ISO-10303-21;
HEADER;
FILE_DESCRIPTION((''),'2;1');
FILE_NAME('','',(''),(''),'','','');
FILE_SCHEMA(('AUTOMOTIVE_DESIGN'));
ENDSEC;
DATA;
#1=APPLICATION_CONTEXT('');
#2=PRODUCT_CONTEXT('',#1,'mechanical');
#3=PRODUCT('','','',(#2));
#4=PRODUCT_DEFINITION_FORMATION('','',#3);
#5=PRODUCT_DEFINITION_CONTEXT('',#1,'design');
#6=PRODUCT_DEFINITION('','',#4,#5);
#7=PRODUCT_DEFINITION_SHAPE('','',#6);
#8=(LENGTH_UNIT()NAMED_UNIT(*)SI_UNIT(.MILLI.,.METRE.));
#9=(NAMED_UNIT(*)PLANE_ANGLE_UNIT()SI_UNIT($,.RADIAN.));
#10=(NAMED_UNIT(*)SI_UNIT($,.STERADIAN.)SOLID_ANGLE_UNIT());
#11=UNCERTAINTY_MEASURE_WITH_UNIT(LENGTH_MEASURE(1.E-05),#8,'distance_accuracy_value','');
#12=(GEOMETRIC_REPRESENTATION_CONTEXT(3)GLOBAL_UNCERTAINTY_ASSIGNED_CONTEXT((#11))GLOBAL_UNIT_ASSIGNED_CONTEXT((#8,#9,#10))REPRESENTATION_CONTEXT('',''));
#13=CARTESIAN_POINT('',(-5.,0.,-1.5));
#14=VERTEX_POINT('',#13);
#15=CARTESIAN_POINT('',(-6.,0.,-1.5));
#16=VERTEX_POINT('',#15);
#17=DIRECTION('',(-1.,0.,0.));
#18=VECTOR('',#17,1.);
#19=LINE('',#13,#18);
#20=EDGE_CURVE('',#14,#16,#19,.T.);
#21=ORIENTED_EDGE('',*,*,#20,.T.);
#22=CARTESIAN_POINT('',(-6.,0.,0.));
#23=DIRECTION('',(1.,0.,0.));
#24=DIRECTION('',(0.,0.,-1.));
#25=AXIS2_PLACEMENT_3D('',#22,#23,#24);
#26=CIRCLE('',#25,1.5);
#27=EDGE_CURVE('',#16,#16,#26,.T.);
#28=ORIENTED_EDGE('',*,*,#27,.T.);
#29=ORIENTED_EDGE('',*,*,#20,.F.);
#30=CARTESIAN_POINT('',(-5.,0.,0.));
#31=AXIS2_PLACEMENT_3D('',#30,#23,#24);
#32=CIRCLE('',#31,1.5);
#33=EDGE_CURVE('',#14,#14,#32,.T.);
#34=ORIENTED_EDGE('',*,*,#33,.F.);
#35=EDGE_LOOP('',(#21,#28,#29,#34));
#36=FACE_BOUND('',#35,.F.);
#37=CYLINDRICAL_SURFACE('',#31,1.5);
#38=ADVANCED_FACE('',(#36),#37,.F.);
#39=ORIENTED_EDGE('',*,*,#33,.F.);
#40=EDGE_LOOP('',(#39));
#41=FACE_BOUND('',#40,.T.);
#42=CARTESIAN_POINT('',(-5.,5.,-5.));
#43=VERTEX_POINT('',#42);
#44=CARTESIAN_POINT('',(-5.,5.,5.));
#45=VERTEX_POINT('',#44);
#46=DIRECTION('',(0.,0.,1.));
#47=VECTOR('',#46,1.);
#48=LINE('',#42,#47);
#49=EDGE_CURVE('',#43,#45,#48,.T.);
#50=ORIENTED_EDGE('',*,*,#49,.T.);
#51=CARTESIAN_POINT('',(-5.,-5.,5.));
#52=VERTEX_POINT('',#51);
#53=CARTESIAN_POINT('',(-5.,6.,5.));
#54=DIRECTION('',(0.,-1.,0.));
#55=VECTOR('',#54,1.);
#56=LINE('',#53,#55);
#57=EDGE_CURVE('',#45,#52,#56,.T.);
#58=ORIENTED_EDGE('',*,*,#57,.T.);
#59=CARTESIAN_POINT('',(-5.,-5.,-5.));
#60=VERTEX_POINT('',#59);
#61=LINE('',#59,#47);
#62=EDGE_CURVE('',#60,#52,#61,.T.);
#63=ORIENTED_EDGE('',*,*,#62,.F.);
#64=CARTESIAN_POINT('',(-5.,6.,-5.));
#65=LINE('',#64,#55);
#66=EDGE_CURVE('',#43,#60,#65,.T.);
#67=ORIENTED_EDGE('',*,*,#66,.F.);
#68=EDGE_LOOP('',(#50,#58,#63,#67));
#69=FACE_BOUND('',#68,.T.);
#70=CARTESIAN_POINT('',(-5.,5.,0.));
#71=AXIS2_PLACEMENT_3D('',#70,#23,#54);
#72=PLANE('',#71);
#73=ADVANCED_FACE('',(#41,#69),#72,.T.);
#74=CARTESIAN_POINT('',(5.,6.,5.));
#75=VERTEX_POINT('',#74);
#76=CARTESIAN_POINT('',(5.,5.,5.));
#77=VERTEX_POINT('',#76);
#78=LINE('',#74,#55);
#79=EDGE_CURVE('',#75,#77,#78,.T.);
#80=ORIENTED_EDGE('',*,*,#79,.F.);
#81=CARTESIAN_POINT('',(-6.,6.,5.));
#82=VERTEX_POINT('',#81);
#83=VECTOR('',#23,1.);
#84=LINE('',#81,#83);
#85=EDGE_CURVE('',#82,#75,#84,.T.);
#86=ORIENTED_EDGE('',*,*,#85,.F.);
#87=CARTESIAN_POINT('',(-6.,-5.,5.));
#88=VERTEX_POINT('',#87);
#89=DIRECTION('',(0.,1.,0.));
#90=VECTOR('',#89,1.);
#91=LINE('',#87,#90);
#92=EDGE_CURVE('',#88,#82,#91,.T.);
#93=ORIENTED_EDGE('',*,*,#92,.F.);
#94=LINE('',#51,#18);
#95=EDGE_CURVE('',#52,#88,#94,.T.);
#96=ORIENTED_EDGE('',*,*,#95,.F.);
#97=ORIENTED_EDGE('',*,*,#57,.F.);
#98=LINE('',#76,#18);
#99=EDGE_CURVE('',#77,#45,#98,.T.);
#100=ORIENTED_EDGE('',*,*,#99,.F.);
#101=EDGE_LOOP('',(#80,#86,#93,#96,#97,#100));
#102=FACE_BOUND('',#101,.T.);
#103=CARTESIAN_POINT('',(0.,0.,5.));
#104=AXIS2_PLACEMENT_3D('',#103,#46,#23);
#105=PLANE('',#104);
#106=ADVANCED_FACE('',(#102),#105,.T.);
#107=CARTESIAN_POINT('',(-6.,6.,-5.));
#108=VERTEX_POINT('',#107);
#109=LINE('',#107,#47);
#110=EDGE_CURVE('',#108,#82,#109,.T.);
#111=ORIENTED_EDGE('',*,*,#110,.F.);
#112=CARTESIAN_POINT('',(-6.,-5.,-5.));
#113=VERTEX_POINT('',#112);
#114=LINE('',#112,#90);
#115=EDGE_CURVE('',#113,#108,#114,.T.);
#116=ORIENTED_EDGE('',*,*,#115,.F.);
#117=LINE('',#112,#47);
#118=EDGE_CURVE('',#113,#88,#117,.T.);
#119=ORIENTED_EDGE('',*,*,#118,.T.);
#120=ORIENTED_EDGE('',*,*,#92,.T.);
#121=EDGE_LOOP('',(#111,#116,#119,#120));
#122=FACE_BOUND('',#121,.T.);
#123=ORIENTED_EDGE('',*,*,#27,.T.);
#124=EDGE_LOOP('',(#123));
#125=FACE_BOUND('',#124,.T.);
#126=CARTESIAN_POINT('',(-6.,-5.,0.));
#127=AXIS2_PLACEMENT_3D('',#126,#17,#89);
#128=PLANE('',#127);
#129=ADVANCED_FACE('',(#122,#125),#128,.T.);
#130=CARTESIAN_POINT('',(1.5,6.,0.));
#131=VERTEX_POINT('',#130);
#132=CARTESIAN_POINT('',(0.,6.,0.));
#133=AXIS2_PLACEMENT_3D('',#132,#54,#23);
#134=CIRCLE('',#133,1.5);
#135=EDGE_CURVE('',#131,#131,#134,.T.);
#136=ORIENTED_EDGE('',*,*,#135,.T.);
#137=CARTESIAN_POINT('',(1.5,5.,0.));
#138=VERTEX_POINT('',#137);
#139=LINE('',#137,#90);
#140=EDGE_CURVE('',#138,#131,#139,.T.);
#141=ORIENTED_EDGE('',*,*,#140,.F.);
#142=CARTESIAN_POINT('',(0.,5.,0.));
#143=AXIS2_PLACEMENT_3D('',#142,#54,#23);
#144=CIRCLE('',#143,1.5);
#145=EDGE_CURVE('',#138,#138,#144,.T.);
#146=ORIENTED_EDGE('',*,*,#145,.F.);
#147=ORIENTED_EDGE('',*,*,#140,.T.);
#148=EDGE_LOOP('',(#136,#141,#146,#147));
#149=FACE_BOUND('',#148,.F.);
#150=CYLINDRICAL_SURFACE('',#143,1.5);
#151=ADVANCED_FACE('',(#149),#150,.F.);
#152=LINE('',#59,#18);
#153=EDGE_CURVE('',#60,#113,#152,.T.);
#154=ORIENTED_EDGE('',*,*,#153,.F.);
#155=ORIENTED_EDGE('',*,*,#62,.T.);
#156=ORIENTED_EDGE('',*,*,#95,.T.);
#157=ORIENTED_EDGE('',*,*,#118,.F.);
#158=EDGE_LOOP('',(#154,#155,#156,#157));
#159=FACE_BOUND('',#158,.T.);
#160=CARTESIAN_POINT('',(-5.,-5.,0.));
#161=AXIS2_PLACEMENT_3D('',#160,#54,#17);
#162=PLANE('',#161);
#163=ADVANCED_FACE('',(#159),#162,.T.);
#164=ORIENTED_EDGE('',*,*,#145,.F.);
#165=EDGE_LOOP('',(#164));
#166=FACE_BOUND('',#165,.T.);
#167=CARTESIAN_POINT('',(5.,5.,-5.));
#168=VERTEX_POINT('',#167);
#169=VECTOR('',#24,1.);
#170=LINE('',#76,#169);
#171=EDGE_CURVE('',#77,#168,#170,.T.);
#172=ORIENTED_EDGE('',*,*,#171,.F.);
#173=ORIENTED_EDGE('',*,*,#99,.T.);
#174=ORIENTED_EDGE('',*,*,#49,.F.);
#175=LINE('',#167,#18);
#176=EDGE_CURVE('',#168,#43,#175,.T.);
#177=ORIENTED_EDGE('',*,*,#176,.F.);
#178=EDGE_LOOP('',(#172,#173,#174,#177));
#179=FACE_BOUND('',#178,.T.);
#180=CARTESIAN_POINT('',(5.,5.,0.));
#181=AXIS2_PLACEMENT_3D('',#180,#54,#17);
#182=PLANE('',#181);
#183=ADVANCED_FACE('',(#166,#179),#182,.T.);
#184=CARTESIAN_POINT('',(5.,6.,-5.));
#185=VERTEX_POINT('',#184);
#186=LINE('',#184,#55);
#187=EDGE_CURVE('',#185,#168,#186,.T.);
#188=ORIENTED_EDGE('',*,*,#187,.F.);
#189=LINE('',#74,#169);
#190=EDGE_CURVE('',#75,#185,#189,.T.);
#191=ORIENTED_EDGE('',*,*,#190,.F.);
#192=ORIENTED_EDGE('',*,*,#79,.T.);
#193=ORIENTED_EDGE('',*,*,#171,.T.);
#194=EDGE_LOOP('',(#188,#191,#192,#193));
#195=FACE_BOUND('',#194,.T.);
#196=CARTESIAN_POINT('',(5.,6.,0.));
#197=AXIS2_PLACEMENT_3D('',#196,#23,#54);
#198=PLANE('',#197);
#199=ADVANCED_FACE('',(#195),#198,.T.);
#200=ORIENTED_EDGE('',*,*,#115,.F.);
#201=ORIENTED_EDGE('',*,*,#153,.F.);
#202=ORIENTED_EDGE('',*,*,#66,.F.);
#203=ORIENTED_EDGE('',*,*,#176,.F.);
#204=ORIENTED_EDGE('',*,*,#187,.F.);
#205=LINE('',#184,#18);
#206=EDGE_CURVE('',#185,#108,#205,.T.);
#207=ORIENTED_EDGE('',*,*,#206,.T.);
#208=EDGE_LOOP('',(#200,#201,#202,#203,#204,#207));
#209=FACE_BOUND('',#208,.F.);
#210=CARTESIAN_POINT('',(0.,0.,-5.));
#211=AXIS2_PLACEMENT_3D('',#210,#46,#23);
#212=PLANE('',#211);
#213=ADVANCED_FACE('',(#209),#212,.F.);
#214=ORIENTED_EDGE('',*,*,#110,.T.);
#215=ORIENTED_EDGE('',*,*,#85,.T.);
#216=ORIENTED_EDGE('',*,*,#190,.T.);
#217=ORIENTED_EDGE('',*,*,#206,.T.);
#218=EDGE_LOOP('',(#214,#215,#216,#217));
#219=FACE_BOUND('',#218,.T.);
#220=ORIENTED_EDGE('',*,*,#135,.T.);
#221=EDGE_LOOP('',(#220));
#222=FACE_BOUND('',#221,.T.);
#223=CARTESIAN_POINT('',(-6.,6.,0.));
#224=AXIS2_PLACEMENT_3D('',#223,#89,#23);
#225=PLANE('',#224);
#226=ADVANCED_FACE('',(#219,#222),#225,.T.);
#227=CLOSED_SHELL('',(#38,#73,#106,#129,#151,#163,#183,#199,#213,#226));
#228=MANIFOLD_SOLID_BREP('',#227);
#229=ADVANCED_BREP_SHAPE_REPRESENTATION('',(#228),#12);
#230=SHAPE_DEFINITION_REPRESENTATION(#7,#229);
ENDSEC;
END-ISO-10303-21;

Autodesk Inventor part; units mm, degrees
ref_plane "YZ Plane" through (0, 0, 0) normal (1, 0, 0) x (0, 1, 0)
ref_plane "XZ Plane" through (0, 0, 0) normal (0, 1, 0) x (-1, 0, 0)
ref_plane "XY Plane" through (0, 0, 0) normal (0, 0, 1) x (1, 0, 0)
sketch "Esquisse1" plane through (0, 0, 0) normal (0, 0, 1) x (1, 0, 0)
  line L0 (-6, 6) -> (-5, 6)
  line L1 (-5, 6) -> (-5, -5)
  line L2 (-5, -5) -> (-6, -5)
  line L3 (-6, -5) -> (-6, 6)
  line L4 (-5, 6) -> (5, 6)
  line L5 (5, 6) -> (5, 5)
  line L6 (5, 5) -> (-5, 5)
  line L7 (-5, 5) -> (-5, 6)
  point P0 (0, 0)
  dimension "d0" = 1
  dimension "d1" = 1
  dimension "d2" = 10
  dimension "d4" = 5
  dimension "d6" = 10
  dimension "d7" = 5
extrude "Extrusion1" add sketch "Esquisse1" along normal mid plane 10
sketch "Esquisse2" plane through (-5, 5, 5) normal (0, -1, 0) x (1, 0, 0)
  circle A0 centre (5, -5) radius 1.5
  dimension "d10" = 3
extrude "Extrusion2" cut sketch "Esquisse2" against normal through all
sketch "Esquisse3" plane through (-5, -5, 5) normal (1, 0, 0) x (0, 0, -1)
  circle A0 centre (5, 5) radius 1.5
  dimension "d13" = 3
extrude "Extrusion3" cut sketch "Esquisse3" against normal through all
equation "\"d4\" = 0.5 * d2"
equation "\"d7\" = 0.5 * d6"
properties part number "equerre"
